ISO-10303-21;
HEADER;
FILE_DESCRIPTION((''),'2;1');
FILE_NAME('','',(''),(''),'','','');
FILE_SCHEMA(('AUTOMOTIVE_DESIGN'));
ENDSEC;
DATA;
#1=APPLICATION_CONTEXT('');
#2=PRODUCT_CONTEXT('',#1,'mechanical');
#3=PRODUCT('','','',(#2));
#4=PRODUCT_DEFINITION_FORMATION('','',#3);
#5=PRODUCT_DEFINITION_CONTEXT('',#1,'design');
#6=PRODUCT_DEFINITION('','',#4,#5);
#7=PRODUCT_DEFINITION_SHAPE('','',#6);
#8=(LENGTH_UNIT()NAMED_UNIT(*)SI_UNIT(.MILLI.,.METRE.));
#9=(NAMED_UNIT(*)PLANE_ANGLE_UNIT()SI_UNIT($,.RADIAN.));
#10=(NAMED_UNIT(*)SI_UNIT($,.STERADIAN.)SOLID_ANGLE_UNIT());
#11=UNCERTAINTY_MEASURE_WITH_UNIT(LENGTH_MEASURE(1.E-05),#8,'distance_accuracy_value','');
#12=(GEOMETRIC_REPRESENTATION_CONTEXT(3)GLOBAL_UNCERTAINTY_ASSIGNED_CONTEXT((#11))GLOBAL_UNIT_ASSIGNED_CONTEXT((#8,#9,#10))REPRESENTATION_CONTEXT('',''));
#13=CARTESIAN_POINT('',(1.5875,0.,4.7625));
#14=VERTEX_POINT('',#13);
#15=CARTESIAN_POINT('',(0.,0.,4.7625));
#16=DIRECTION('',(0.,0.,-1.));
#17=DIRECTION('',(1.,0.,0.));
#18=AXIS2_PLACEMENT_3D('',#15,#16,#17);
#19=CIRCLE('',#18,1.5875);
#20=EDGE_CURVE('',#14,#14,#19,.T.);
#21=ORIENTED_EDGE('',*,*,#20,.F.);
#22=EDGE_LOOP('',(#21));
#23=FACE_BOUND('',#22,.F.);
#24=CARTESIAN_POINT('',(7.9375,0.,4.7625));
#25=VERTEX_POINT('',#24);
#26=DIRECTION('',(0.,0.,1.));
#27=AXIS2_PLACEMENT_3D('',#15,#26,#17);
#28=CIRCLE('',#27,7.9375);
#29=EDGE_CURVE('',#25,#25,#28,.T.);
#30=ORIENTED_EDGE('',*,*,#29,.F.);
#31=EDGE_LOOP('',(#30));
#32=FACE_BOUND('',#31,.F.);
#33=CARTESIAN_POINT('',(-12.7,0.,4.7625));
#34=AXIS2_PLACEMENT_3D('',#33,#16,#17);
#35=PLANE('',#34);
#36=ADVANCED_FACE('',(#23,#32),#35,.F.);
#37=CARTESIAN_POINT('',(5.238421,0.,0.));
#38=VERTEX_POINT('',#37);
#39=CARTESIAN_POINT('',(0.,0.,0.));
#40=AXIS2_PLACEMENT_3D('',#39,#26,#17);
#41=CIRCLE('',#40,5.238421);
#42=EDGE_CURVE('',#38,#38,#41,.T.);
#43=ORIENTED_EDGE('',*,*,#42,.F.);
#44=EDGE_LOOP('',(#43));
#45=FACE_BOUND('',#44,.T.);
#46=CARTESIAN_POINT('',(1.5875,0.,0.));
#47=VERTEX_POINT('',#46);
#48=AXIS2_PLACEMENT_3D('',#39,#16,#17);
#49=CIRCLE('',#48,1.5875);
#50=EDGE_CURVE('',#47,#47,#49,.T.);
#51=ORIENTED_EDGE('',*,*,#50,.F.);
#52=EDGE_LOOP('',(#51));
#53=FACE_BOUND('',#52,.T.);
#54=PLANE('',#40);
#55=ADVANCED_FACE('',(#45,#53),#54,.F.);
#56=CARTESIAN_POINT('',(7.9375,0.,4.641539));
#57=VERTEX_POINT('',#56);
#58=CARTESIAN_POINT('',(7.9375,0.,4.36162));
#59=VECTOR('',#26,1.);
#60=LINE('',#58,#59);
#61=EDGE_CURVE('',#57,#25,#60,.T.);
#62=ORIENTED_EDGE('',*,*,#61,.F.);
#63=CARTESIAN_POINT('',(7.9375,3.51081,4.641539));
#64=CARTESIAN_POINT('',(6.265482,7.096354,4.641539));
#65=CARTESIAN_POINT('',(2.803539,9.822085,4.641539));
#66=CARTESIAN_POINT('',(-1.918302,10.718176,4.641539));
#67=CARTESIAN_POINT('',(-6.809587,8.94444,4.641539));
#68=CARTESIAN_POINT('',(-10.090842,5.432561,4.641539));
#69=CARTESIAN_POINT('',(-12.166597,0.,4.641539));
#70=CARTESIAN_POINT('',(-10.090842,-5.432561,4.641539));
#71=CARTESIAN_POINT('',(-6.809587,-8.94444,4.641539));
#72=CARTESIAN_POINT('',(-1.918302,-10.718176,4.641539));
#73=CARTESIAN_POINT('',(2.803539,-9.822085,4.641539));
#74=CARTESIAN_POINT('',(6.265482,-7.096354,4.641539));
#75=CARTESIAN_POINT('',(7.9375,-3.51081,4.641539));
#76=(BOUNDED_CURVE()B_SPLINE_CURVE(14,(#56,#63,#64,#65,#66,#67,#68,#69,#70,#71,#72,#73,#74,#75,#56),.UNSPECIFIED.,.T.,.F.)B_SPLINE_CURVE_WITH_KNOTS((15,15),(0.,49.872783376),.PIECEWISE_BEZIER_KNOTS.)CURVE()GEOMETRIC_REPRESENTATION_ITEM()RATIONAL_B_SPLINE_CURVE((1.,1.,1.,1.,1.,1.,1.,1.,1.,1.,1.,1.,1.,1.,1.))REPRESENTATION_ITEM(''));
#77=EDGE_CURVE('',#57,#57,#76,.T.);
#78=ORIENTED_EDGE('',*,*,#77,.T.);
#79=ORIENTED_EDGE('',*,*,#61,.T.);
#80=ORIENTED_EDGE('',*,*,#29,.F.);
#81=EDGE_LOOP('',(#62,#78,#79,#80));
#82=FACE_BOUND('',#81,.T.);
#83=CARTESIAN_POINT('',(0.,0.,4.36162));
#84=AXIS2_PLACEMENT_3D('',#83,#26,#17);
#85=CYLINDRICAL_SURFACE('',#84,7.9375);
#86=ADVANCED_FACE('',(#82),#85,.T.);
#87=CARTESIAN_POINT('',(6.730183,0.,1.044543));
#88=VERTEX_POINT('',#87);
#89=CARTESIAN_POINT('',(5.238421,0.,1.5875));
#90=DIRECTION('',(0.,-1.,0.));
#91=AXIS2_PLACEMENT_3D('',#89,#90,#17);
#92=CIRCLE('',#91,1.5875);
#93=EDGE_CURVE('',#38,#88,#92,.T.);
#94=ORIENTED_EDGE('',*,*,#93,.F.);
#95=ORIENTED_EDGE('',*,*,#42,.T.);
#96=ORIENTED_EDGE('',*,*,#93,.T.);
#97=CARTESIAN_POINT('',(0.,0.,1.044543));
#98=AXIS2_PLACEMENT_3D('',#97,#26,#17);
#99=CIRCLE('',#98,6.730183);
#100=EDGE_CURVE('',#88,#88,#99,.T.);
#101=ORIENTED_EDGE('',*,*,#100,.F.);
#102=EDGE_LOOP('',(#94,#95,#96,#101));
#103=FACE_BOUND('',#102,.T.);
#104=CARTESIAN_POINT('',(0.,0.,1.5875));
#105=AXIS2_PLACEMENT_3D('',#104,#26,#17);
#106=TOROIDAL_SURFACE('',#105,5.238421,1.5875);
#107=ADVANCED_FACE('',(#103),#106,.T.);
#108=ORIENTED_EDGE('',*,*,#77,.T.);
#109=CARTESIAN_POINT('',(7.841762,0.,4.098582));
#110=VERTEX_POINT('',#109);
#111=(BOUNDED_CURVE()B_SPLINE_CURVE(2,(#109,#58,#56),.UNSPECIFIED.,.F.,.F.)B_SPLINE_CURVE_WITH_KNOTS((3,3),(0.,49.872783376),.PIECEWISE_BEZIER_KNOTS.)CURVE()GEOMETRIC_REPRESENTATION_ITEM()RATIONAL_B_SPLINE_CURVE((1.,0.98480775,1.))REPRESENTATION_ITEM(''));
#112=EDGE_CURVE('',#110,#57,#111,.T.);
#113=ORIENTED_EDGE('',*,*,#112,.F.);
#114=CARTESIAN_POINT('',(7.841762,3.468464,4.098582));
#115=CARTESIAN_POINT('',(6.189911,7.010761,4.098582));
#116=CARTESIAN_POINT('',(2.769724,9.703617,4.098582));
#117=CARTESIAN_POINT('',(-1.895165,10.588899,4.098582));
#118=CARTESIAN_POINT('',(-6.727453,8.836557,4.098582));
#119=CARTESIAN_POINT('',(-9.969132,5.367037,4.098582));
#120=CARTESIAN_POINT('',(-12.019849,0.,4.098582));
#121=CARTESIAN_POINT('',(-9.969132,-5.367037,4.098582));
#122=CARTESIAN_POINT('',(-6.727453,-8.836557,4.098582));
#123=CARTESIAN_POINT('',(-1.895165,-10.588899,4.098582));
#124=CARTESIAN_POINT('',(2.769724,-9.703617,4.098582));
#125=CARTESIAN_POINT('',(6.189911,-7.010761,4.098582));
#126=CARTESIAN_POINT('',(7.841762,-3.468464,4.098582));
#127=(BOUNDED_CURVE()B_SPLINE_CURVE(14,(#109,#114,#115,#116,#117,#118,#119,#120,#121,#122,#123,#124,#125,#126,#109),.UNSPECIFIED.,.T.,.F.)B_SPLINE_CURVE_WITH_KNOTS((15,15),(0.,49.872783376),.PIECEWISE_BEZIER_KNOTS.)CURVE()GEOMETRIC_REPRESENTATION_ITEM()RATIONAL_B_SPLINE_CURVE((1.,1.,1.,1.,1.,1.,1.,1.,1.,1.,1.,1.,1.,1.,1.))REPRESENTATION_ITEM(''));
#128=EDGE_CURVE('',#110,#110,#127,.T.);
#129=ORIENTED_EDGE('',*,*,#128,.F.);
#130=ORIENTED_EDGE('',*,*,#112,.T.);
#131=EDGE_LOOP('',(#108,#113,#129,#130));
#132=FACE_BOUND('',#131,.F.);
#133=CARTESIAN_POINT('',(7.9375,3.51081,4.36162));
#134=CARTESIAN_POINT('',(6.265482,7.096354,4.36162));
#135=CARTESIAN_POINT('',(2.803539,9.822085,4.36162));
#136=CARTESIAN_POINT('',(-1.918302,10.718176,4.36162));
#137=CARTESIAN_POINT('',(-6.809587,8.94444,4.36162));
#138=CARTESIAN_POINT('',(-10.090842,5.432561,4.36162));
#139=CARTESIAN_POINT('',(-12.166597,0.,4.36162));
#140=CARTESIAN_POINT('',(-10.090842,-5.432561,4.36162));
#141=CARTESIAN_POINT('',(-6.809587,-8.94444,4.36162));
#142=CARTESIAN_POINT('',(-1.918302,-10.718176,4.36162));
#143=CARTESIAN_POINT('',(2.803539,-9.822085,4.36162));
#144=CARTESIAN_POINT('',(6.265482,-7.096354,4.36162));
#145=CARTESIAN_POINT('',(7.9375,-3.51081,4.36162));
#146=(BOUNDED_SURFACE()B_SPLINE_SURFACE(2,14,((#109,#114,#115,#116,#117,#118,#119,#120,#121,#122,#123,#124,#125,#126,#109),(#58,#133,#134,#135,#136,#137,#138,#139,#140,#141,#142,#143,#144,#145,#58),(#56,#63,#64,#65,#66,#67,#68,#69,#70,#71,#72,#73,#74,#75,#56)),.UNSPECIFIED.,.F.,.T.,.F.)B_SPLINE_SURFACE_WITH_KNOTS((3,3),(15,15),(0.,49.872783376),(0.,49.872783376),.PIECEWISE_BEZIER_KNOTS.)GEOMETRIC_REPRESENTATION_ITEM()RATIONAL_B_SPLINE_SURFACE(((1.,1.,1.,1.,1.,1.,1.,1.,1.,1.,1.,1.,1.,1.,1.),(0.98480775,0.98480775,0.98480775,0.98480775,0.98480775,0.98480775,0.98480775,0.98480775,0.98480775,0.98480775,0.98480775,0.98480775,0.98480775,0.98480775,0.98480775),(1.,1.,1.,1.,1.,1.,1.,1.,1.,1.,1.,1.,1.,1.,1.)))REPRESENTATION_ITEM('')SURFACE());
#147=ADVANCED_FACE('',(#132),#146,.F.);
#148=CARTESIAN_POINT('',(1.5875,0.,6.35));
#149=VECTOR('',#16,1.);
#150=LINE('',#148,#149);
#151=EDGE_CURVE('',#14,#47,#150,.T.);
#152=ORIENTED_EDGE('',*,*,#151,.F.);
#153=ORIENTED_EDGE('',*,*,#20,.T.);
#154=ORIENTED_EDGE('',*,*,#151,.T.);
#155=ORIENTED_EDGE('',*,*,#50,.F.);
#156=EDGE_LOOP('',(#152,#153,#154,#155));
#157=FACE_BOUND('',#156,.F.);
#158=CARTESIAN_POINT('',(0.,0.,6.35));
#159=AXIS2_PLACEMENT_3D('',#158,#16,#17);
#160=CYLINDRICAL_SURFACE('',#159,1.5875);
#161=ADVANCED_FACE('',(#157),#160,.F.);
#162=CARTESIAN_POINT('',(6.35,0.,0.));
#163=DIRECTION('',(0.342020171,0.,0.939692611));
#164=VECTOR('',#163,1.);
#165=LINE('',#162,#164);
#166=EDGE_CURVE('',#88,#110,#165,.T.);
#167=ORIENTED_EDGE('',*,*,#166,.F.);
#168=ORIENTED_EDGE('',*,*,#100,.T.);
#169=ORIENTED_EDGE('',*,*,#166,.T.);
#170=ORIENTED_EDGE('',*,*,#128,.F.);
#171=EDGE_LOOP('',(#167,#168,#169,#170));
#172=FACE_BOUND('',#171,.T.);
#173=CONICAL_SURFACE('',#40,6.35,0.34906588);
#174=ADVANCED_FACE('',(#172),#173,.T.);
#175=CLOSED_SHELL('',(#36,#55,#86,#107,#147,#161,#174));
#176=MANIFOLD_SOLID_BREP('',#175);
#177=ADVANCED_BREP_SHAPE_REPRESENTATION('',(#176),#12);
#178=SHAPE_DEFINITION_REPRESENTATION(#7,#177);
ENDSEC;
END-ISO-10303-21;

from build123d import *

# Parameters (mm, degrees)
F2_R           = 1.5875
F3_W           = 25.4
F3_H           = 15.875
F4_DEPTH       = 12.7
F6_D           = 1.5875
F6_DEPTH       = 19.05
F6_CBORE_D     = 3.175
F6_CBORE_DEPTH = 6.35


with BuildPart() as f1:
    # F0 (on Front) → F1 (revolve)
    with BuildSketch(Plane.XZ):
        Polygon((7.9375, 12.7), (0, 12.7), (0, 0), (6.35, 0), (7.9375, 4.36162), align=None)
    revolve(axis=Axis((0, 0, 6.35), (0, 0, 1)))

    # F2
    f2_edges = [f1.edges().sort_by_distance(p)[0] for p in [
        (-6.35, 0, 0),
        (-7.9375, 0, 4.36162),
    ]]
    fillet(f2_edges, radius=F2_R)

    # F3 (on Front) → F4 (cut, symmetric)
    with BuildSketch(Plane.XZ):
        with Locations((0, 12.7)):
            Rectangle(F3_W, F3_H)
    extrude(amount=F4_DEPTH, both=True, mode=Mode.SUBTRACT)

    # F6
    with Locations(Plane(origin=(0, 0, 0), x_dir=(1, 0, 0), z_dir=(0, 0, -1))):
        with Locations((0, 0)):
            CounterBoreHole(F6_D / 2, F6_CBORE_D / 2, F6_CBORE_DEPTH, depth=F6_DEPTH)


solid = f1.part
